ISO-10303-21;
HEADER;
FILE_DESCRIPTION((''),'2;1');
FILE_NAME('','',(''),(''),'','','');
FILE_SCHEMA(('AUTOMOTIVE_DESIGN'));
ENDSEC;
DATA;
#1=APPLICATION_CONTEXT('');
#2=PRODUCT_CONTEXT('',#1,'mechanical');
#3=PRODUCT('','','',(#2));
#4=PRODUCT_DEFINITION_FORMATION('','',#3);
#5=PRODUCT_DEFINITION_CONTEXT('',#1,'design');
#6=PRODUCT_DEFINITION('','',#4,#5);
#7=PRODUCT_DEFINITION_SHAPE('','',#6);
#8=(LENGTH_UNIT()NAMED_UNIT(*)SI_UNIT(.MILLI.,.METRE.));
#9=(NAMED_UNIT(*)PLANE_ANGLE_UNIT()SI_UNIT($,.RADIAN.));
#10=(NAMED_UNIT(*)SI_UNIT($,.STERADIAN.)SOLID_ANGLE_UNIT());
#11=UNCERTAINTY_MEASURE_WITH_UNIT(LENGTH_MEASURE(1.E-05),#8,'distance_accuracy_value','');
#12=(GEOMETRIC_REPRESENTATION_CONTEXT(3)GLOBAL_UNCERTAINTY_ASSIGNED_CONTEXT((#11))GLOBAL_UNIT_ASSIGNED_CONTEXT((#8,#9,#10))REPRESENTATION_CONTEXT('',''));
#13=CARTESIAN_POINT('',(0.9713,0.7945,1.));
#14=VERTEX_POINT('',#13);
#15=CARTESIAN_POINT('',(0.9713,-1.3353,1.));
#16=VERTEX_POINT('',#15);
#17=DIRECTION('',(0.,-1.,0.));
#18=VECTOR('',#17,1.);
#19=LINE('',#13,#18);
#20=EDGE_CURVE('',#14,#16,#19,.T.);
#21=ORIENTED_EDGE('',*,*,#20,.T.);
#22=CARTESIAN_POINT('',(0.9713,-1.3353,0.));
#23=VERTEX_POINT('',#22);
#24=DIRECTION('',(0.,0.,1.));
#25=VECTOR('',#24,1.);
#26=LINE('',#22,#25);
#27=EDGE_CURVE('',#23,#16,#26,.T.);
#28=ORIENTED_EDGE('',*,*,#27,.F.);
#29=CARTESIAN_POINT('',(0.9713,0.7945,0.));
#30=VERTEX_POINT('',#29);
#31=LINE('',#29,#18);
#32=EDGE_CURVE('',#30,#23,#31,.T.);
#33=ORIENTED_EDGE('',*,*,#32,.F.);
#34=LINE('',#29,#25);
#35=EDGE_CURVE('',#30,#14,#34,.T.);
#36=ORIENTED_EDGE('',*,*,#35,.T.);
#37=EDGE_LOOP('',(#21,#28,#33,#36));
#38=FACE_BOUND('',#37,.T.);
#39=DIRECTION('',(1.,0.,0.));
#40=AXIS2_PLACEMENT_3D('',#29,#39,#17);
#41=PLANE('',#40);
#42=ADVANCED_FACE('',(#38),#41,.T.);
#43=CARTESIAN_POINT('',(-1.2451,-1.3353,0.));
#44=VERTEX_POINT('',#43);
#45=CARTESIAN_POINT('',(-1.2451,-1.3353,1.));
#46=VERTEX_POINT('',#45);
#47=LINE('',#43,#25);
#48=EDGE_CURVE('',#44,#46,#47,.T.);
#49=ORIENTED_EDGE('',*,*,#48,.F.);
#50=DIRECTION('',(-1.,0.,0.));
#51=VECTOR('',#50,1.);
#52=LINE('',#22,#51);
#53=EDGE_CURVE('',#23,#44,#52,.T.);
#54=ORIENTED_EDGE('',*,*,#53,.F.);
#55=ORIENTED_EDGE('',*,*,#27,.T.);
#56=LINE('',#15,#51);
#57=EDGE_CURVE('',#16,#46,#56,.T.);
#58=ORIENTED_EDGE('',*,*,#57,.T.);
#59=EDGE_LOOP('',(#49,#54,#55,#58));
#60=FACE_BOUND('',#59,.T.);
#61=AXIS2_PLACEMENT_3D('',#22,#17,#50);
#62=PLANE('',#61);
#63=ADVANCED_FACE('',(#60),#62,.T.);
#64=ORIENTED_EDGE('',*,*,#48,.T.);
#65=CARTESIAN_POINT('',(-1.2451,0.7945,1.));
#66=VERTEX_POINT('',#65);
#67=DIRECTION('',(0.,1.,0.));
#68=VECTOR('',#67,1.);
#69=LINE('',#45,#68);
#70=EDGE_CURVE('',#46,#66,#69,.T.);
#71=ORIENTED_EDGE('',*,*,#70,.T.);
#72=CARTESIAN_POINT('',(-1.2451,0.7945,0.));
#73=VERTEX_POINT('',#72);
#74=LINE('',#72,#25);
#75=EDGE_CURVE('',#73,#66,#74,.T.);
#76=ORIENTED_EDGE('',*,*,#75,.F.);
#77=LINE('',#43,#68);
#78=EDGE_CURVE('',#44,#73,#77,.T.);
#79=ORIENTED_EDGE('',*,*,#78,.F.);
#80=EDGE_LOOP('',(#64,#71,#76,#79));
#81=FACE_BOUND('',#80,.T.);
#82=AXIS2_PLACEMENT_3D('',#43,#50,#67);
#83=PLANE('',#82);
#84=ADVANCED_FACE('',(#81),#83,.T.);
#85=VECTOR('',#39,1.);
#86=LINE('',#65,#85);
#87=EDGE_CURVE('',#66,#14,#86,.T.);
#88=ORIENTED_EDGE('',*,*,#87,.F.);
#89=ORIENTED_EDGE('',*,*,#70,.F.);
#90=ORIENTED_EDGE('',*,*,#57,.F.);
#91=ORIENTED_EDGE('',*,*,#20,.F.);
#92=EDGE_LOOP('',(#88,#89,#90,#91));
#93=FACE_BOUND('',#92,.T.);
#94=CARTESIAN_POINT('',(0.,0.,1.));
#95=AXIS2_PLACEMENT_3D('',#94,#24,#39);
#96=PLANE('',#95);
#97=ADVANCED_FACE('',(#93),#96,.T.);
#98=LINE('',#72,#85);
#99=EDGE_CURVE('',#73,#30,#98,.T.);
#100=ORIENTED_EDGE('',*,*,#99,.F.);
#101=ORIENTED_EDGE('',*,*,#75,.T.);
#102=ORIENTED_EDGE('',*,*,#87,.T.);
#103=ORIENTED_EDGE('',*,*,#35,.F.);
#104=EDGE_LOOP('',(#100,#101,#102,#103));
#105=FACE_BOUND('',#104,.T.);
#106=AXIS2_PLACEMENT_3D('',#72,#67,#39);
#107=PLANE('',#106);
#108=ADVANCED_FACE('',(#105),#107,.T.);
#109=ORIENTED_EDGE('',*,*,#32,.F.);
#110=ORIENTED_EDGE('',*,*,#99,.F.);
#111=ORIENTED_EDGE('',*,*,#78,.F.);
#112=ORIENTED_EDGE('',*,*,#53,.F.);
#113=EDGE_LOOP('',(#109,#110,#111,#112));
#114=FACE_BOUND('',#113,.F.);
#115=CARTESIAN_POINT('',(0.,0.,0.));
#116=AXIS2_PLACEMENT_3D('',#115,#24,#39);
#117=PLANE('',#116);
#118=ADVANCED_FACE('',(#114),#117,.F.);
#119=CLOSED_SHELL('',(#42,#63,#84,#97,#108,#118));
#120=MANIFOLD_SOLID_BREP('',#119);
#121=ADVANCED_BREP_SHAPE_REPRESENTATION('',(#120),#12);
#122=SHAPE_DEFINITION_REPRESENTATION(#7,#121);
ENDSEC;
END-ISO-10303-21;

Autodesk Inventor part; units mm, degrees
ref_plane "YZ Plane" through (0, 0, 0) normal (1, 0, 0) x (0, 1, 0)
ref_plane "XZ Plane" through (0, 0, 0) normal (0, 1, 0) x (-1, 0, 0)
ref_plane "XY Plane" through (0, 0, 0) normal (0, 0, 1) x (1, 0, 0)
sketch "TILOGO_SMALL, U_2_TILOGO_SMALL_156" plane through (0, 0, 0) normal (0, 0, 1) x (1, 0, 0)
  line L0 (-1.2451, 0.7945) -> (0.9713, 0.7945)
  line L1 (0.9713, 0.7945) -> (0.9713, -1.3353)
  line L2 (0.9713, -1.3353) -> (-1.2451, -1.3353)
  line L3 (-1.2451, -1.3353) -> (-1.2451, 0.7945)
extrude "Extrusion1" add sketch "TILOGO_SMALL, U_2_TILOGO_SMALL_156" along normal blind 1
properties part number "U_2_TILOGO_SMALL"
